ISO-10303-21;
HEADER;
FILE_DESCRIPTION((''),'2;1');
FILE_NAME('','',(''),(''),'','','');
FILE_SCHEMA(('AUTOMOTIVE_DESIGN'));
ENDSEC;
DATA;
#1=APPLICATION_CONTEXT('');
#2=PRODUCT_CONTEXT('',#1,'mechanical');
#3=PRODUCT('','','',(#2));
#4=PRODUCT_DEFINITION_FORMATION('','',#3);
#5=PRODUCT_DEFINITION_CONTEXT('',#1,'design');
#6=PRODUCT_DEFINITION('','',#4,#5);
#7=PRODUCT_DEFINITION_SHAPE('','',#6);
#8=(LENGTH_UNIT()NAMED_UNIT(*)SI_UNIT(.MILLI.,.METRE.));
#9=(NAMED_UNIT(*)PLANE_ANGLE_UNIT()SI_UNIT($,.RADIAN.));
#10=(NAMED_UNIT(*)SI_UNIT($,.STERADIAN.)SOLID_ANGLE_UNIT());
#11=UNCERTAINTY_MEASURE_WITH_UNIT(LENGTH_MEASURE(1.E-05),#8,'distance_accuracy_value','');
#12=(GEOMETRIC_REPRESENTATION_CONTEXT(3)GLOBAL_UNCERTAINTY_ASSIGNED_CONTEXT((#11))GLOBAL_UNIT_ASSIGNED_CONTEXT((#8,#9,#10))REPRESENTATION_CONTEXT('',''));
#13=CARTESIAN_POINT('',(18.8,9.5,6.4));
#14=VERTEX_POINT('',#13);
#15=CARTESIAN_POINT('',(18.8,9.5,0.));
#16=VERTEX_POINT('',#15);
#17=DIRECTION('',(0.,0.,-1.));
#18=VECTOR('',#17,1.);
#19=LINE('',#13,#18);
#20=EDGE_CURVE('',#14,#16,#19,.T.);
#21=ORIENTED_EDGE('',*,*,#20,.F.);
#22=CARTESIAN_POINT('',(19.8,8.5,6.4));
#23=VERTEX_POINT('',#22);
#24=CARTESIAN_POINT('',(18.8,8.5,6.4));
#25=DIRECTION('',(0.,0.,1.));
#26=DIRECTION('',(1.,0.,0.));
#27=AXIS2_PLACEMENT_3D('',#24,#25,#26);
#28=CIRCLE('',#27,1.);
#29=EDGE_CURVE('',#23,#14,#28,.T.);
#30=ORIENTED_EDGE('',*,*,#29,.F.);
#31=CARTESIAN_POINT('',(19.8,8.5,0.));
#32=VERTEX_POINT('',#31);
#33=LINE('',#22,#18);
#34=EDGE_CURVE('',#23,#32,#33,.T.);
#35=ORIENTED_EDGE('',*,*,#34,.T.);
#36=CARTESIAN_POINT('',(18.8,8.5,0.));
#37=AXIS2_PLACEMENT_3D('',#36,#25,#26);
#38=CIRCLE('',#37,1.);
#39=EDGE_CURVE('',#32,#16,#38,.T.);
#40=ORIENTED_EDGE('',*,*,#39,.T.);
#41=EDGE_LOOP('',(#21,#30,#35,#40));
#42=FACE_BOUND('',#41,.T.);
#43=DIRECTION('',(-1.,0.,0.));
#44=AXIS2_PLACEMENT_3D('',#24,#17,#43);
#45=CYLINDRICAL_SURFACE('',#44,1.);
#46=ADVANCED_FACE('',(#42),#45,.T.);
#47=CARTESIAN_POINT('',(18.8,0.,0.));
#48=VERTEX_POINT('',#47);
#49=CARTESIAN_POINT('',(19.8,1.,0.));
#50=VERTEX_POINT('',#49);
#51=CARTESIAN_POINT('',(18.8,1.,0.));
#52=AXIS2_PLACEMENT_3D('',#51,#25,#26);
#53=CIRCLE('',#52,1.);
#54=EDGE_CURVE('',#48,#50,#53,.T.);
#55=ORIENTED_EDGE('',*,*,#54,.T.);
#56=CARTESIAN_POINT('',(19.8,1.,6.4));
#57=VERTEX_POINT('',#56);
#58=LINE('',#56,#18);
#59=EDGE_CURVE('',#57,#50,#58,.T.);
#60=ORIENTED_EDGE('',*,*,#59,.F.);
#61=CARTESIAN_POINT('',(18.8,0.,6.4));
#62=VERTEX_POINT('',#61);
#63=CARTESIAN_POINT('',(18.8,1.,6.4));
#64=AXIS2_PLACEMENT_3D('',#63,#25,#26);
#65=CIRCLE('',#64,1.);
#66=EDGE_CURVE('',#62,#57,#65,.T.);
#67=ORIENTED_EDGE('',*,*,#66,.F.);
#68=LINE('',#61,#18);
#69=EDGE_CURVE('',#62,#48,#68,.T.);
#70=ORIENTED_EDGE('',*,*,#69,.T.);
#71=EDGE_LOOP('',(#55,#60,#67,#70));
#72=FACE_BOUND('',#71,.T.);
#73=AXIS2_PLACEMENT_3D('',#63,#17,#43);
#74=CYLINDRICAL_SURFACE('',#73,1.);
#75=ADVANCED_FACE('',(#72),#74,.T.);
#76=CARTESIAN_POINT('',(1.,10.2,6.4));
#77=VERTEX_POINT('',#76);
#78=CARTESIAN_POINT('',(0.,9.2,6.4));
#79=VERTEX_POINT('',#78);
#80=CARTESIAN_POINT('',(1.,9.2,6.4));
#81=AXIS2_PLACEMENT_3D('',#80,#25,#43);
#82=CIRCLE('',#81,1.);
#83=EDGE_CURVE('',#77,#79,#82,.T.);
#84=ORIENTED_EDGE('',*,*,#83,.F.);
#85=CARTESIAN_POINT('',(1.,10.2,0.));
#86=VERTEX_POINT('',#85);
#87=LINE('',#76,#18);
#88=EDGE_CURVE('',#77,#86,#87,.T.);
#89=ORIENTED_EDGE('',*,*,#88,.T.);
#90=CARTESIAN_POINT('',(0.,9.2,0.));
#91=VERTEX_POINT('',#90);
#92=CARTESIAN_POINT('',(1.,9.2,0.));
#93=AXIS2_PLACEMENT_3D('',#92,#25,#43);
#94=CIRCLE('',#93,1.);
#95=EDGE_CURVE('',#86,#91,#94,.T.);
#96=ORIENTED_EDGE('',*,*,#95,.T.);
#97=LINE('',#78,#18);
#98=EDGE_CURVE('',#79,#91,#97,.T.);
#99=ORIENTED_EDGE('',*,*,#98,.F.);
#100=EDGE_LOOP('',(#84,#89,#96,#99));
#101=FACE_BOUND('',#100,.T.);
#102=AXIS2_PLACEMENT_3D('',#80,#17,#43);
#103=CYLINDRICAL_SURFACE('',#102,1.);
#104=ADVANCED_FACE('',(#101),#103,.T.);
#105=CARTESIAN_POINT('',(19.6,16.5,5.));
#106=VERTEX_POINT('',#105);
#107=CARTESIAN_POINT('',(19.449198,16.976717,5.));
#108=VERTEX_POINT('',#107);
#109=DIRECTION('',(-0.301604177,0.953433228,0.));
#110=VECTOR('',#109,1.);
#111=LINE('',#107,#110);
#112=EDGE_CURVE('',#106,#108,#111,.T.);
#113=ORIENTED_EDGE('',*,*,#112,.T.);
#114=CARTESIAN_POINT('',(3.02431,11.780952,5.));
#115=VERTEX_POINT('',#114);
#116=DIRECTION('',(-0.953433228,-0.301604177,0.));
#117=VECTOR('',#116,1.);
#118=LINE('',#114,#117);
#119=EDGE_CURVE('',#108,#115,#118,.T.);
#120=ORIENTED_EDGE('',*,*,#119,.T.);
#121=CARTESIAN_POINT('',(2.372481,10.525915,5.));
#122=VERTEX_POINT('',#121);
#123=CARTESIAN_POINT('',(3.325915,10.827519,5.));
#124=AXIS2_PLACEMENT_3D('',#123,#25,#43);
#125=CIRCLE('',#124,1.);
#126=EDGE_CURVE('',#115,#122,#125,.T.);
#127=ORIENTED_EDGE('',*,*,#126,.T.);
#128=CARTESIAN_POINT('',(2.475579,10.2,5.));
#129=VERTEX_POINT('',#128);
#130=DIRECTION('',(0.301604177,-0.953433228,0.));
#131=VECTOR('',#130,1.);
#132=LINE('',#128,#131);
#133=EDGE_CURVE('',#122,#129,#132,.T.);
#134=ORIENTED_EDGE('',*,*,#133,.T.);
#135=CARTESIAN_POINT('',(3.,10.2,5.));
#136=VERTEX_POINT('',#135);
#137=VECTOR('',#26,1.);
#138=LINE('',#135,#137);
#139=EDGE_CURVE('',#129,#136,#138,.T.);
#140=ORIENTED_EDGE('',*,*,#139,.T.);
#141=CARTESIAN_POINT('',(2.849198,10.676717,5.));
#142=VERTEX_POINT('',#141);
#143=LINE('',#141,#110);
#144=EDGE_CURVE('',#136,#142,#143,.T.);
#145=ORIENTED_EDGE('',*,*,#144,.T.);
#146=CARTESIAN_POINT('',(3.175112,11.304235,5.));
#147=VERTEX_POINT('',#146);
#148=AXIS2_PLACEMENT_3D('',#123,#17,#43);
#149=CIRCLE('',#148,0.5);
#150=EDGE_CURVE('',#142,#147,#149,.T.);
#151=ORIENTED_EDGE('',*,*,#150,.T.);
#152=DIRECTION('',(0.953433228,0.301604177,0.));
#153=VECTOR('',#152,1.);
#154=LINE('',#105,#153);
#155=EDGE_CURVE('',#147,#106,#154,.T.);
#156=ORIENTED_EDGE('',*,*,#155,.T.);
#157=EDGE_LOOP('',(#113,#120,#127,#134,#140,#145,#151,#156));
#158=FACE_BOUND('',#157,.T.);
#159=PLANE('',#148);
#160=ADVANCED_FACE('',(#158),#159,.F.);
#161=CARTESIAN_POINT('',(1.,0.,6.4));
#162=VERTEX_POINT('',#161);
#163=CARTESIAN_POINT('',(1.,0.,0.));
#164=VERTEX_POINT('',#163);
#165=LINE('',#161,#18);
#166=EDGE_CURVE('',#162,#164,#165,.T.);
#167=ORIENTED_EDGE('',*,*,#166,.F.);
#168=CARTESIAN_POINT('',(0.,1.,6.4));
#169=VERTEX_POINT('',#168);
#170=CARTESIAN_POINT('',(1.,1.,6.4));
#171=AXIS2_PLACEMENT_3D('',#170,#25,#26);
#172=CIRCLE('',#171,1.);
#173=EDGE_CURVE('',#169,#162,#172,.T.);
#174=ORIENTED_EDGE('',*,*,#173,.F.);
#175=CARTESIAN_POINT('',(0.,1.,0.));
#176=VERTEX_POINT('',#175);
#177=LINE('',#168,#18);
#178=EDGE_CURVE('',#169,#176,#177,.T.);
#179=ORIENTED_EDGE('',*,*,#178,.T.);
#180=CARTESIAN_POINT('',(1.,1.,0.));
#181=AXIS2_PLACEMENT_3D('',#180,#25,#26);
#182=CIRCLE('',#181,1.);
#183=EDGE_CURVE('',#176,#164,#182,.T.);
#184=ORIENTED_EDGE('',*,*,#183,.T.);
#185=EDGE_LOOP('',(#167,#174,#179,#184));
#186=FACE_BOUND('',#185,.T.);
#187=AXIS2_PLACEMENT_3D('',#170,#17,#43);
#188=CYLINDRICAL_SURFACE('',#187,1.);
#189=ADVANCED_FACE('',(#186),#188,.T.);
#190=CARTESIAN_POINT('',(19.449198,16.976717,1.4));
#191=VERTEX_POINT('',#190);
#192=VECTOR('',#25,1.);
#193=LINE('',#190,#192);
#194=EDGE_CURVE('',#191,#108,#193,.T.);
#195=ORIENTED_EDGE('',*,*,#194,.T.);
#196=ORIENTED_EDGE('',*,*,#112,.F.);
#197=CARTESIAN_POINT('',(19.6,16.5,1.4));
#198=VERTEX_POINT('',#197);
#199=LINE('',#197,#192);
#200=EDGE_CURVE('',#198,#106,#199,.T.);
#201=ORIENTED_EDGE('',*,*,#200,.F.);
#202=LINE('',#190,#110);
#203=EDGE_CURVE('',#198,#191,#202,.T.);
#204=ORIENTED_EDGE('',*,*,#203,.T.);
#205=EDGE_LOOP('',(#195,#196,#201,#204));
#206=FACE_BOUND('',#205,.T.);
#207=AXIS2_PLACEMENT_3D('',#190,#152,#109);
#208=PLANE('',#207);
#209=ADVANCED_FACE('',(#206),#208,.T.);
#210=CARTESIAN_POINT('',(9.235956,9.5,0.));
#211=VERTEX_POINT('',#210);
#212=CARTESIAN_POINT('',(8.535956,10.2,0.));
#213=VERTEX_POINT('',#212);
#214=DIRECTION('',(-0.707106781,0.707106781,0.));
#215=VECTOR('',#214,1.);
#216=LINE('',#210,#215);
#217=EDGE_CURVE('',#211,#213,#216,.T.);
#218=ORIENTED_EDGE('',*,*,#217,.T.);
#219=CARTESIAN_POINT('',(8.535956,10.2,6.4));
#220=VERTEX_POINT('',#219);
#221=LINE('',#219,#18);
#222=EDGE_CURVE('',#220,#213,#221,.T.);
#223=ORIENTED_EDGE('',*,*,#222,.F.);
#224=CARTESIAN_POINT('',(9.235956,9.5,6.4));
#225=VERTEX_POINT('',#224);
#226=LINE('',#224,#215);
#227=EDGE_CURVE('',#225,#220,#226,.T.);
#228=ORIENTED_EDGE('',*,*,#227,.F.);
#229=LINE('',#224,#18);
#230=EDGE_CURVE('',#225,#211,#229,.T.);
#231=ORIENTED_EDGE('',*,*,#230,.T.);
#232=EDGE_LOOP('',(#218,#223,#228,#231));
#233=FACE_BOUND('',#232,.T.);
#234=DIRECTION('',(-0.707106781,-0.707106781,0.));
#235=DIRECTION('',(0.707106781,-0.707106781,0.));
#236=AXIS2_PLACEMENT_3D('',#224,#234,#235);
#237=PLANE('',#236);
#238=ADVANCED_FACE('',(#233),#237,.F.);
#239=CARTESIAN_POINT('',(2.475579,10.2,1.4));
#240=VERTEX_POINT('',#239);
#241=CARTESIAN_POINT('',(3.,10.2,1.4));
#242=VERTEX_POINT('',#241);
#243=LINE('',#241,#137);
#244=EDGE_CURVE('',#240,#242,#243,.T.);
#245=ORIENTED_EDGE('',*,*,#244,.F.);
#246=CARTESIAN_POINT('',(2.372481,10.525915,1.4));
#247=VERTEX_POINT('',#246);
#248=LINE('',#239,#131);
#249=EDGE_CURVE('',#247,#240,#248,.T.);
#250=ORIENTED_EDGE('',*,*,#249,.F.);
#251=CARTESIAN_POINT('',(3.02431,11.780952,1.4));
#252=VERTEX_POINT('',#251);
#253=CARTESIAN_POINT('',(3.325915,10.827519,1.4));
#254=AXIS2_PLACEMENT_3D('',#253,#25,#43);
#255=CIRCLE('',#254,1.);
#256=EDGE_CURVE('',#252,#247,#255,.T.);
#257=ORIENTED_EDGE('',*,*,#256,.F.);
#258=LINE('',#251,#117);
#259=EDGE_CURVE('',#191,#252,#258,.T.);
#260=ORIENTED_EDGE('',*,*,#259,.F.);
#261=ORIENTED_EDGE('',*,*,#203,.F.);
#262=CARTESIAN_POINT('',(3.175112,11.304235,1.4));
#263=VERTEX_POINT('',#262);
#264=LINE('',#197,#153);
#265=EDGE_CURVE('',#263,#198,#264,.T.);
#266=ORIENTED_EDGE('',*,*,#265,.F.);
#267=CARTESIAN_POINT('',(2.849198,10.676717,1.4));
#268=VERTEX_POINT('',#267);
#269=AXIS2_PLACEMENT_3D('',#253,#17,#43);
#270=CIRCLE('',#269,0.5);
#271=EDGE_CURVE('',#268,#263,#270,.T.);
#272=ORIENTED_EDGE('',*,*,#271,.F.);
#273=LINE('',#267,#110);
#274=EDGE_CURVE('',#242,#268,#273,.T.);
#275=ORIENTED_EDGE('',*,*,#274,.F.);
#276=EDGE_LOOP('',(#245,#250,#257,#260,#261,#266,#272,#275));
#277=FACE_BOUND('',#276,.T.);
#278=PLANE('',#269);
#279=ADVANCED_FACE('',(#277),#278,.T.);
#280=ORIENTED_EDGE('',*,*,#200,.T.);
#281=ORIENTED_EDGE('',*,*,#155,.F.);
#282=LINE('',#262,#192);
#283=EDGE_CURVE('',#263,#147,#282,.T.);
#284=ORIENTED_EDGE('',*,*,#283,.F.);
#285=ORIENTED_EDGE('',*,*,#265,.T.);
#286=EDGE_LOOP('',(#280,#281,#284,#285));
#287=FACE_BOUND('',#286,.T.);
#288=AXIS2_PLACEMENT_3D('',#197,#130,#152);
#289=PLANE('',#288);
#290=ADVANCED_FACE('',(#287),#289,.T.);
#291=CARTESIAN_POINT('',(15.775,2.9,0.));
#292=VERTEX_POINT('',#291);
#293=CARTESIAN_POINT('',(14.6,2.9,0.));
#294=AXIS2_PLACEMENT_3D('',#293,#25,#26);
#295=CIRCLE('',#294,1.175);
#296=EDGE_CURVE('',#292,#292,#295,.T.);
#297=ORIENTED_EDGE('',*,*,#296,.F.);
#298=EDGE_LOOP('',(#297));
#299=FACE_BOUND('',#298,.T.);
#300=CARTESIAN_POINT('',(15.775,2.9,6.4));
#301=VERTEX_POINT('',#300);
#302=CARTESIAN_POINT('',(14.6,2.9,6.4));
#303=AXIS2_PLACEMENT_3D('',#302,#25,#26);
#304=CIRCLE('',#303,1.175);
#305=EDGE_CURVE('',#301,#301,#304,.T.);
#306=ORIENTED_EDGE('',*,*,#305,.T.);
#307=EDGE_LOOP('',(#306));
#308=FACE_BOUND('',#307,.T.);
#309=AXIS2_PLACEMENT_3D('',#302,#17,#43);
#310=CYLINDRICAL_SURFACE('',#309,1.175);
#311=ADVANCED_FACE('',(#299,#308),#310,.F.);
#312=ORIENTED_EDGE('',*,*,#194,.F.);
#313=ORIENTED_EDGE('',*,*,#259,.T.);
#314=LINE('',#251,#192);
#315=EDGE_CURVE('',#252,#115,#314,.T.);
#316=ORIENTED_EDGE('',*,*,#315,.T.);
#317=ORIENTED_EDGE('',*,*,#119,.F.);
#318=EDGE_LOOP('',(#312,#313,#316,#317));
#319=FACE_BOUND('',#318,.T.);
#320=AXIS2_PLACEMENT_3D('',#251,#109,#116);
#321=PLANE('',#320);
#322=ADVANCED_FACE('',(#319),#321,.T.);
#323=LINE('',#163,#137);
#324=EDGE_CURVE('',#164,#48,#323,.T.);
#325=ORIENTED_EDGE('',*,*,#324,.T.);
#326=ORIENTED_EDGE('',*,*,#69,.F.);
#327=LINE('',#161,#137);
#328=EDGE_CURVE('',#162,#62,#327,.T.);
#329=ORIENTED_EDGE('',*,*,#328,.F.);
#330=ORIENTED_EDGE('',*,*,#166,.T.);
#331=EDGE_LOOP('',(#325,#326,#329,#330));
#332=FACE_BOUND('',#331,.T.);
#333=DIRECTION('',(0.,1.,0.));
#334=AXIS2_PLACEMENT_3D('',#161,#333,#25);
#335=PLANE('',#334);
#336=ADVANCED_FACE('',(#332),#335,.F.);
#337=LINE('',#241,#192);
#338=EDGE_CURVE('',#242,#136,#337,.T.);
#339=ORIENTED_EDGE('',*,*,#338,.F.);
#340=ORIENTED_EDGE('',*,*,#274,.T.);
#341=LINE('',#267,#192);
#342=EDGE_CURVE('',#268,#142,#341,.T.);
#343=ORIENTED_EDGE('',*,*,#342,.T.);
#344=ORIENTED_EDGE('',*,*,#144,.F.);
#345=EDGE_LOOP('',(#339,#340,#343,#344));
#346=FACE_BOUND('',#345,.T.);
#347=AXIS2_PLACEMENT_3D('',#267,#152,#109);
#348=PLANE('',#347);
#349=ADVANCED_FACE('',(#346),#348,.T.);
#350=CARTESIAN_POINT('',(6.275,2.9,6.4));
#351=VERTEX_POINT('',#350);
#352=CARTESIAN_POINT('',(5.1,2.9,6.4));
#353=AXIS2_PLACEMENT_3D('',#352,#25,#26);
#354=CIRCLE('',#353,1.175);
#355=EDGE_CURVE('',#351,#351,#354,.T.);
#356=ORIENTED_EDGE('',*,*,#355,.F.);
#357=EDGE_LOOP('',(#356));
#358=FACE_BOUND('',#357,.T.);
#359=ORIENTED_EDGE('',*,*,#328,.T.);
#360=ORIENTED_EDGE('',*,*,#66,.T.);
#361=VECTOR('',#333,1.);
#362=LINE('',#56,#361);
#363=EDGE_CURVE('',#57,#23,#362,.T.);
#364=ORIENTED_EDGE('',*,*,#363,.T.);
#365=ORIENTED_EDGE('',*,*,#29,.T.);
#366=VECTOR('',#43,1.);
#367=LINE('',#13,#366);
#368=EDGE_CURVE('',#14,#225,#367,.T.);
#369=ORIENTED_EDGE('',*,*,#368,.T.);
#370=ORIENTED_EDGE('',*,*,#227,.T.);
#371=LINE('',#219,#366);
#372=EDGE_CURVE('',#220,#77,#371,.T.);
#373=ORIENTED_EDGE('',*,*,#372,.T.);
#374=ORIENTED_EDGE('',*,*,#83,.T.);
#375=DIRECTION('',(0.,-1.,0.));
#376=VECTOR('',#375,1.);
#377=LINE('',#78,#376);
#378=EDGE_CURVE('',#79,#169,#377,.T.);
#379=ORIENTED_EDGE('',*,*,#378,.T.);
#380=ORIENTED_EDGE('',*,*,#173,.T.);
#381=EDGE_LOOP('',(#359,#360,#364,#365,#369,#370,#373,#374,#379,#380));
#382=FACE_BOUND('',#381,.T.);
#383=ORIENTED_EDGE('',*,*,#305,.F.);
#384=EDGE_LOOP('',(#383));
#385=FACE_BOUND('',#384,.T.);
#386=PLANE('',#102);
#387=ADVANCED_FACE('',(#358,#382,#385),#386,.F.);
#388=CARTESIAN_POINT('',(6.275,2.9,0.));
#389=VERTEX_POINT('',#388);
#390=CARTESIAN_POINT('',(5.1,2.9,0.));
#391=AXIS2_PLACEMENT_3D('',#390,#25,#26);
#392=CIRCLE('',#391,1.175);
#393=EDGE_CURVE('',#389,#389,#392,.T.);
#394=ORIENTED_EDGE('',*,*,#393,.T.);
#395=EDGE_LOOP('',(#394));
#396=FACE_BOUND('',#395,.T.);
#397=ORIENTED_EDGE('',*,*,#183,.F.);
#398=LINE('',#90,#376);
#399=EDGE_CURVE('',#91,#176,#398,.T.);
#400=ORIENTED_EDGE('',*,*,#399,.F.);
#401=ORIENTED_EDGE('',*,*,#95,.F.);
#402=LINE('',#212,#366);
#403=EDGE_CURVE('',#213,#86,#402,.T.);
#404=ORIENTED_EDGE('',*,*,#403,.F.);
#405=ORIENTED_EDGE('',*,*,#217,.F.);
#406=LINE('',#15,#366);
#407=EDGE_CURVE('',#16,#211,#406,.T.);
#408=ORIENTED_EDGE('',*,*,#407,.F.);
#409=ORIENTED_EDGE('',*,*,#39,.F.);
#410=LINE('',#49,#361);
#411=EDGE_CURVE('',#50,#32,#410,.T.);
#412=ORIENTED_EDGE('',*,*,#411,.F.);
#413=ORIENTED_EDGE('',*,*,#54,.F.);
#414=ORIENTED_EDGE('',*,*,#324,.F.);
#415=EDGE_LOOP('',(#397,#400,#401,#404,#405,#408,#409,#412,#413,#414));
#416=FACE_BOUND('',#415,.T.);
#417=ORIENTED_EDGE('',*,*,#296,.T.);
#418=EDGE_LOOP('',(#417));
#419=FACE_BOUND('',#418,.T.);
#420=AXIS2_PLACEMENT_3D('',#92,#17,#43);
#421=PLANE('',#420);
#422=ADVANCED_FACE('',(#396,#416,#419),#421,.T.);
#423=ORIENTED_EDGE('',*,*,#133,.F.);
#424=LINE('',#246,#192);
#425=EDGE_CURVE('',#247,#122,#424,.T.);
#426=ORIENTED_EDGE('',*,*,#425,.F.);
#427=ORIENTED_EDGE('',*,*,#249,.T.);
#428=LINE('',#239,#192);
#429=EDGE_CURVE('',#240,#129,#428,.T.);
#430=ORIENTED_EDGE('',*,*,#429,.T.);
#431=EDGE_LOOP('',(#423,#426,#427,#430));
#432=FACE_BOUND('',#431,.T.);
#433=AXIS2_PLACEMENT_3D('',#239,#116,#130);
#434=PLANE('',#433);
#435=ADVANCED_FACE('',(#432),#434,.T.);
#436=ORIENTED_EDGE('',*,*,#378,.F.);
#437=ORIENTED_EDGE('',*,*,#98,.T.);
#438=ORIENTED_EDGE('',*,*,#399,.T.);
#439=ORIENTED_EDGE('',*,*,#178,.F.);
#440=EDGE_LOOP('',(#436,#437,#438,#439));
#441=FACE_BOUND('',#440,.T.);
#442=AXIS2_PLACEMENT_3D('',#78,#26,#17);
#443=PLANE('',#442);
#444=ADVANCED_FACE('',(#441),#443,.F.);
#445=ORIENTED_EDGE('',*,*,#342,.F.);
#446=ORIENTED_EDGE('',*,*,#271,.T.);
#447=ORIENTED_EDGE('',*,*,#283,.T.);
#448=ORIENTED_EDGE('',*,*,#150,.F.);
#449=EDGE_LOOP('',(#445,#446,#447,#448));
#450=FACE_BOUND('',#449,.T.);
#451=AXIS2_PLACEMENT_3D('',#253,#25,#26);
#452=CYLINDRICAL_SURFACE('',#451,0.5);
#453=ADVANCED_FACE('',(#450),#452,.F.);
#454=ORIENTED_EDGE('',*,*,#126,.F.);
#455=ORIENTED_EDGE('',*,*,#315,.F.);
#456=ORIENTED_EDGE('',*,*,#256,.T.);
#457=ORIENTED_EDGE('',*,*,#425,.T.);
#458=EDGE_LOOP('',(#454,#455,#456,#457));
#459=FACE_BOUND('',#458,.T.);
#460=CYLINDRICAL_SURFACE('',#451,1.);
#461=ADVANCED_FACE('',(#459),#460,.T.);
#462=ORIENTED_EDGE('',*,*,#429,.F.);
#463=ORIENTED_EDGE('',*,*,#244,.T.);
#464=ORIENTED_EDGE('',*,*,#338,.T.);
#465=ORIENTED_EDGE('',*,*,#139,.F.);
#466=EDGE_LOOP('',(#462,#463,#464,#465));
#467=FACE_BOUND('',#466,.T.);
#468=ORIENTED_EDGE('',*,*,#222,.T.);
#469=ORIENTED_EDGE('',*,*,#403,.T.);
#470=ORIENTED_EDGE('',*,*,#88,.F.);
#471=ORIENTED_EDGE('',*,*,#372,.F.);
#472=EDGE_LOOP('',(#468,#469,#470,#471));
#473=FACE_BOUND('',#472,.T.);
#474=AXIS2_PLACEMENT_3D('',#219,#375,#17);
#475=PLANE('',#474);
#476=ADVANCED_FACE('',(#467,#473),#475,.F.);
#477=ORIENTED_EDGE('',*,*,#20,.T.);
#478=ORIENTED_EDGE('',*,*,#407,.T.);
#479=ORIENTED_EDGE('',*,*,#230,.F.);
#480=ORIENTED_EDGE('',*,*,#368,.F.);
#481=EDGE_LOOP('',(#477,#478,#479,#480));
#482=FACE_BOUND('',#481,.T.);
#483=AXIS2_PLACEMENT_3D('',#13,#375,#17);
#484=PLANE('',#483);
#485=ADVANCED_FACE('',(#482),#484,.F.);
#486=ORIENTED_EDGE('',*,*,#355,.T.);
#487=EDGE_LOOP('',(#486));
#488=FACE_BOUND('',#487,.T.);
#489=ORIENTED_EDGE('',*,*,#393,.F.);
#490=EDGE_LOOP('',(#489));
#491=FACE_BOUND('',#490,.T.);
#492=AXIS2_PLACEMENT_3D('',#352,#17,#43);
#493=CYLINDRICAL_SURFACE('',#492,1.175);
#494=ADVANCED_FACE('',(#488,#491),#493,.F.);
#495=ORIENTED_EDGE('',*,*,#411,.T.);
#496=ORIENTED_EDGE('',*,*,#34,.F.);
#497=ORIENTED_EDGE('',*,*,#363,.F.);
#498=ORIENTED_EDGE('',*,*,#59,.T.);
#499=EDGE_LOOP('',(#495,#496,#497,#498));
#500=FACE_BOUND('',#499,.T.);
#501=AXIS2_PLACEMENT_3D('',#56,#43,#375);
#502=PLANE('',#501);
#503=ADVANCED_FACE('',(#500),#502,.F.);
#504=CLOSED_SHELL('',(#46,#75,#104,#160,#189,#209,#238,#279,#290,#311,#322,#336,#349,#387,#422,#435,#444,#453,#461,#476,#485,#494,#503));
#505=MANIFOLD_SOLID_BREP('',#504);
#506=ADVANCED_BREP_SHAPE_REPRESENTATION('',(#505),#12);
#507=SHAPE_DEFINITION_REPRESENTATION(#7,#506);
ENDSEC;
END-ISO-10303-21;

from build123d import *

# Parameters (mm, degrees)
ESQUISSE1_R        = 1.175
BOSS_EXTRU_1_DEPTH = 6.4
BOSS_EXTRU_2_DEPTH = 3.6


with BuildPart() as part:
    # Esquisse1 → Boss.-Extru.1 (new body)
    with BuildSketch(Plane.XY):
        with BuildLine():
            Line((1, 0), (18.8, 0))
            ThreePointArc((18.8, 0), (19.507106781, 0.292893219), (19.8, 1))
            Line((19.8, 1), (19.8, 8.5))
            ThreePointArc((19.8, 8.5), (19.507106781, 9.207106781), (18.8, 9.5))
            Line((18.8, 9.5), (9.235956187, 9.5))
            Line((9.235956187, 9.5), (8.535956187, 10.2))
            Line((8.535956187, 10.2), (1, 10.2))
            ThreePointArc((1, 10.2), (0.292893219, 9.907106781), (0, 9.2))
            Line((0, 9.2), (0, 1))
            ThreePointArc((0, 1), (0.292893219, 0.292893219), (1, 0))
        make_face()
        with Locations((5.1, 2.9)):
            Circle(ESQUISSE1_R, mode=Mode.SUBTRACT)
        with Locations((14.6, 2.9)):
            Circle(ESQUISSE1_R, mode=Mode.SUBTRACT)
    extrude(amount=BOSS_EXTRU_1_DEPTH)

    # Esquisse2 → Boss.-Extru.2 (add)
    with BuildSketch(Plane.XY.offset(5)):
        with BuildLine():
            Line((2.475579427, 10.2), (2.372481297, 10.525914526))
            ThreePointArc((2.372481297, 10.525914526), (2.438469066, 11.288431445), (3.024310349, 11.780951931))
            Line((3.024310349, 11.780951931), (19.449197912, 16.976716614))
            Line((19.449197912, 16.976716614), (19.6, 16.5))
            Line((19.6, 16.5), (3.175112437, 11.304235317))
            ThreePointArc((3.175112437, 11.304235317), (2.882191796, 11.057975074), (2.849197912, 10.676716614))
            Line((2.849197912, 10.676716614), (3, 10.2))
            Line((3, 10.2), (2.475579427, 10.2))
        make_face()
    extrude(amount=-BOSS_EXTRU_2_DEPTH)


solid = part.part
